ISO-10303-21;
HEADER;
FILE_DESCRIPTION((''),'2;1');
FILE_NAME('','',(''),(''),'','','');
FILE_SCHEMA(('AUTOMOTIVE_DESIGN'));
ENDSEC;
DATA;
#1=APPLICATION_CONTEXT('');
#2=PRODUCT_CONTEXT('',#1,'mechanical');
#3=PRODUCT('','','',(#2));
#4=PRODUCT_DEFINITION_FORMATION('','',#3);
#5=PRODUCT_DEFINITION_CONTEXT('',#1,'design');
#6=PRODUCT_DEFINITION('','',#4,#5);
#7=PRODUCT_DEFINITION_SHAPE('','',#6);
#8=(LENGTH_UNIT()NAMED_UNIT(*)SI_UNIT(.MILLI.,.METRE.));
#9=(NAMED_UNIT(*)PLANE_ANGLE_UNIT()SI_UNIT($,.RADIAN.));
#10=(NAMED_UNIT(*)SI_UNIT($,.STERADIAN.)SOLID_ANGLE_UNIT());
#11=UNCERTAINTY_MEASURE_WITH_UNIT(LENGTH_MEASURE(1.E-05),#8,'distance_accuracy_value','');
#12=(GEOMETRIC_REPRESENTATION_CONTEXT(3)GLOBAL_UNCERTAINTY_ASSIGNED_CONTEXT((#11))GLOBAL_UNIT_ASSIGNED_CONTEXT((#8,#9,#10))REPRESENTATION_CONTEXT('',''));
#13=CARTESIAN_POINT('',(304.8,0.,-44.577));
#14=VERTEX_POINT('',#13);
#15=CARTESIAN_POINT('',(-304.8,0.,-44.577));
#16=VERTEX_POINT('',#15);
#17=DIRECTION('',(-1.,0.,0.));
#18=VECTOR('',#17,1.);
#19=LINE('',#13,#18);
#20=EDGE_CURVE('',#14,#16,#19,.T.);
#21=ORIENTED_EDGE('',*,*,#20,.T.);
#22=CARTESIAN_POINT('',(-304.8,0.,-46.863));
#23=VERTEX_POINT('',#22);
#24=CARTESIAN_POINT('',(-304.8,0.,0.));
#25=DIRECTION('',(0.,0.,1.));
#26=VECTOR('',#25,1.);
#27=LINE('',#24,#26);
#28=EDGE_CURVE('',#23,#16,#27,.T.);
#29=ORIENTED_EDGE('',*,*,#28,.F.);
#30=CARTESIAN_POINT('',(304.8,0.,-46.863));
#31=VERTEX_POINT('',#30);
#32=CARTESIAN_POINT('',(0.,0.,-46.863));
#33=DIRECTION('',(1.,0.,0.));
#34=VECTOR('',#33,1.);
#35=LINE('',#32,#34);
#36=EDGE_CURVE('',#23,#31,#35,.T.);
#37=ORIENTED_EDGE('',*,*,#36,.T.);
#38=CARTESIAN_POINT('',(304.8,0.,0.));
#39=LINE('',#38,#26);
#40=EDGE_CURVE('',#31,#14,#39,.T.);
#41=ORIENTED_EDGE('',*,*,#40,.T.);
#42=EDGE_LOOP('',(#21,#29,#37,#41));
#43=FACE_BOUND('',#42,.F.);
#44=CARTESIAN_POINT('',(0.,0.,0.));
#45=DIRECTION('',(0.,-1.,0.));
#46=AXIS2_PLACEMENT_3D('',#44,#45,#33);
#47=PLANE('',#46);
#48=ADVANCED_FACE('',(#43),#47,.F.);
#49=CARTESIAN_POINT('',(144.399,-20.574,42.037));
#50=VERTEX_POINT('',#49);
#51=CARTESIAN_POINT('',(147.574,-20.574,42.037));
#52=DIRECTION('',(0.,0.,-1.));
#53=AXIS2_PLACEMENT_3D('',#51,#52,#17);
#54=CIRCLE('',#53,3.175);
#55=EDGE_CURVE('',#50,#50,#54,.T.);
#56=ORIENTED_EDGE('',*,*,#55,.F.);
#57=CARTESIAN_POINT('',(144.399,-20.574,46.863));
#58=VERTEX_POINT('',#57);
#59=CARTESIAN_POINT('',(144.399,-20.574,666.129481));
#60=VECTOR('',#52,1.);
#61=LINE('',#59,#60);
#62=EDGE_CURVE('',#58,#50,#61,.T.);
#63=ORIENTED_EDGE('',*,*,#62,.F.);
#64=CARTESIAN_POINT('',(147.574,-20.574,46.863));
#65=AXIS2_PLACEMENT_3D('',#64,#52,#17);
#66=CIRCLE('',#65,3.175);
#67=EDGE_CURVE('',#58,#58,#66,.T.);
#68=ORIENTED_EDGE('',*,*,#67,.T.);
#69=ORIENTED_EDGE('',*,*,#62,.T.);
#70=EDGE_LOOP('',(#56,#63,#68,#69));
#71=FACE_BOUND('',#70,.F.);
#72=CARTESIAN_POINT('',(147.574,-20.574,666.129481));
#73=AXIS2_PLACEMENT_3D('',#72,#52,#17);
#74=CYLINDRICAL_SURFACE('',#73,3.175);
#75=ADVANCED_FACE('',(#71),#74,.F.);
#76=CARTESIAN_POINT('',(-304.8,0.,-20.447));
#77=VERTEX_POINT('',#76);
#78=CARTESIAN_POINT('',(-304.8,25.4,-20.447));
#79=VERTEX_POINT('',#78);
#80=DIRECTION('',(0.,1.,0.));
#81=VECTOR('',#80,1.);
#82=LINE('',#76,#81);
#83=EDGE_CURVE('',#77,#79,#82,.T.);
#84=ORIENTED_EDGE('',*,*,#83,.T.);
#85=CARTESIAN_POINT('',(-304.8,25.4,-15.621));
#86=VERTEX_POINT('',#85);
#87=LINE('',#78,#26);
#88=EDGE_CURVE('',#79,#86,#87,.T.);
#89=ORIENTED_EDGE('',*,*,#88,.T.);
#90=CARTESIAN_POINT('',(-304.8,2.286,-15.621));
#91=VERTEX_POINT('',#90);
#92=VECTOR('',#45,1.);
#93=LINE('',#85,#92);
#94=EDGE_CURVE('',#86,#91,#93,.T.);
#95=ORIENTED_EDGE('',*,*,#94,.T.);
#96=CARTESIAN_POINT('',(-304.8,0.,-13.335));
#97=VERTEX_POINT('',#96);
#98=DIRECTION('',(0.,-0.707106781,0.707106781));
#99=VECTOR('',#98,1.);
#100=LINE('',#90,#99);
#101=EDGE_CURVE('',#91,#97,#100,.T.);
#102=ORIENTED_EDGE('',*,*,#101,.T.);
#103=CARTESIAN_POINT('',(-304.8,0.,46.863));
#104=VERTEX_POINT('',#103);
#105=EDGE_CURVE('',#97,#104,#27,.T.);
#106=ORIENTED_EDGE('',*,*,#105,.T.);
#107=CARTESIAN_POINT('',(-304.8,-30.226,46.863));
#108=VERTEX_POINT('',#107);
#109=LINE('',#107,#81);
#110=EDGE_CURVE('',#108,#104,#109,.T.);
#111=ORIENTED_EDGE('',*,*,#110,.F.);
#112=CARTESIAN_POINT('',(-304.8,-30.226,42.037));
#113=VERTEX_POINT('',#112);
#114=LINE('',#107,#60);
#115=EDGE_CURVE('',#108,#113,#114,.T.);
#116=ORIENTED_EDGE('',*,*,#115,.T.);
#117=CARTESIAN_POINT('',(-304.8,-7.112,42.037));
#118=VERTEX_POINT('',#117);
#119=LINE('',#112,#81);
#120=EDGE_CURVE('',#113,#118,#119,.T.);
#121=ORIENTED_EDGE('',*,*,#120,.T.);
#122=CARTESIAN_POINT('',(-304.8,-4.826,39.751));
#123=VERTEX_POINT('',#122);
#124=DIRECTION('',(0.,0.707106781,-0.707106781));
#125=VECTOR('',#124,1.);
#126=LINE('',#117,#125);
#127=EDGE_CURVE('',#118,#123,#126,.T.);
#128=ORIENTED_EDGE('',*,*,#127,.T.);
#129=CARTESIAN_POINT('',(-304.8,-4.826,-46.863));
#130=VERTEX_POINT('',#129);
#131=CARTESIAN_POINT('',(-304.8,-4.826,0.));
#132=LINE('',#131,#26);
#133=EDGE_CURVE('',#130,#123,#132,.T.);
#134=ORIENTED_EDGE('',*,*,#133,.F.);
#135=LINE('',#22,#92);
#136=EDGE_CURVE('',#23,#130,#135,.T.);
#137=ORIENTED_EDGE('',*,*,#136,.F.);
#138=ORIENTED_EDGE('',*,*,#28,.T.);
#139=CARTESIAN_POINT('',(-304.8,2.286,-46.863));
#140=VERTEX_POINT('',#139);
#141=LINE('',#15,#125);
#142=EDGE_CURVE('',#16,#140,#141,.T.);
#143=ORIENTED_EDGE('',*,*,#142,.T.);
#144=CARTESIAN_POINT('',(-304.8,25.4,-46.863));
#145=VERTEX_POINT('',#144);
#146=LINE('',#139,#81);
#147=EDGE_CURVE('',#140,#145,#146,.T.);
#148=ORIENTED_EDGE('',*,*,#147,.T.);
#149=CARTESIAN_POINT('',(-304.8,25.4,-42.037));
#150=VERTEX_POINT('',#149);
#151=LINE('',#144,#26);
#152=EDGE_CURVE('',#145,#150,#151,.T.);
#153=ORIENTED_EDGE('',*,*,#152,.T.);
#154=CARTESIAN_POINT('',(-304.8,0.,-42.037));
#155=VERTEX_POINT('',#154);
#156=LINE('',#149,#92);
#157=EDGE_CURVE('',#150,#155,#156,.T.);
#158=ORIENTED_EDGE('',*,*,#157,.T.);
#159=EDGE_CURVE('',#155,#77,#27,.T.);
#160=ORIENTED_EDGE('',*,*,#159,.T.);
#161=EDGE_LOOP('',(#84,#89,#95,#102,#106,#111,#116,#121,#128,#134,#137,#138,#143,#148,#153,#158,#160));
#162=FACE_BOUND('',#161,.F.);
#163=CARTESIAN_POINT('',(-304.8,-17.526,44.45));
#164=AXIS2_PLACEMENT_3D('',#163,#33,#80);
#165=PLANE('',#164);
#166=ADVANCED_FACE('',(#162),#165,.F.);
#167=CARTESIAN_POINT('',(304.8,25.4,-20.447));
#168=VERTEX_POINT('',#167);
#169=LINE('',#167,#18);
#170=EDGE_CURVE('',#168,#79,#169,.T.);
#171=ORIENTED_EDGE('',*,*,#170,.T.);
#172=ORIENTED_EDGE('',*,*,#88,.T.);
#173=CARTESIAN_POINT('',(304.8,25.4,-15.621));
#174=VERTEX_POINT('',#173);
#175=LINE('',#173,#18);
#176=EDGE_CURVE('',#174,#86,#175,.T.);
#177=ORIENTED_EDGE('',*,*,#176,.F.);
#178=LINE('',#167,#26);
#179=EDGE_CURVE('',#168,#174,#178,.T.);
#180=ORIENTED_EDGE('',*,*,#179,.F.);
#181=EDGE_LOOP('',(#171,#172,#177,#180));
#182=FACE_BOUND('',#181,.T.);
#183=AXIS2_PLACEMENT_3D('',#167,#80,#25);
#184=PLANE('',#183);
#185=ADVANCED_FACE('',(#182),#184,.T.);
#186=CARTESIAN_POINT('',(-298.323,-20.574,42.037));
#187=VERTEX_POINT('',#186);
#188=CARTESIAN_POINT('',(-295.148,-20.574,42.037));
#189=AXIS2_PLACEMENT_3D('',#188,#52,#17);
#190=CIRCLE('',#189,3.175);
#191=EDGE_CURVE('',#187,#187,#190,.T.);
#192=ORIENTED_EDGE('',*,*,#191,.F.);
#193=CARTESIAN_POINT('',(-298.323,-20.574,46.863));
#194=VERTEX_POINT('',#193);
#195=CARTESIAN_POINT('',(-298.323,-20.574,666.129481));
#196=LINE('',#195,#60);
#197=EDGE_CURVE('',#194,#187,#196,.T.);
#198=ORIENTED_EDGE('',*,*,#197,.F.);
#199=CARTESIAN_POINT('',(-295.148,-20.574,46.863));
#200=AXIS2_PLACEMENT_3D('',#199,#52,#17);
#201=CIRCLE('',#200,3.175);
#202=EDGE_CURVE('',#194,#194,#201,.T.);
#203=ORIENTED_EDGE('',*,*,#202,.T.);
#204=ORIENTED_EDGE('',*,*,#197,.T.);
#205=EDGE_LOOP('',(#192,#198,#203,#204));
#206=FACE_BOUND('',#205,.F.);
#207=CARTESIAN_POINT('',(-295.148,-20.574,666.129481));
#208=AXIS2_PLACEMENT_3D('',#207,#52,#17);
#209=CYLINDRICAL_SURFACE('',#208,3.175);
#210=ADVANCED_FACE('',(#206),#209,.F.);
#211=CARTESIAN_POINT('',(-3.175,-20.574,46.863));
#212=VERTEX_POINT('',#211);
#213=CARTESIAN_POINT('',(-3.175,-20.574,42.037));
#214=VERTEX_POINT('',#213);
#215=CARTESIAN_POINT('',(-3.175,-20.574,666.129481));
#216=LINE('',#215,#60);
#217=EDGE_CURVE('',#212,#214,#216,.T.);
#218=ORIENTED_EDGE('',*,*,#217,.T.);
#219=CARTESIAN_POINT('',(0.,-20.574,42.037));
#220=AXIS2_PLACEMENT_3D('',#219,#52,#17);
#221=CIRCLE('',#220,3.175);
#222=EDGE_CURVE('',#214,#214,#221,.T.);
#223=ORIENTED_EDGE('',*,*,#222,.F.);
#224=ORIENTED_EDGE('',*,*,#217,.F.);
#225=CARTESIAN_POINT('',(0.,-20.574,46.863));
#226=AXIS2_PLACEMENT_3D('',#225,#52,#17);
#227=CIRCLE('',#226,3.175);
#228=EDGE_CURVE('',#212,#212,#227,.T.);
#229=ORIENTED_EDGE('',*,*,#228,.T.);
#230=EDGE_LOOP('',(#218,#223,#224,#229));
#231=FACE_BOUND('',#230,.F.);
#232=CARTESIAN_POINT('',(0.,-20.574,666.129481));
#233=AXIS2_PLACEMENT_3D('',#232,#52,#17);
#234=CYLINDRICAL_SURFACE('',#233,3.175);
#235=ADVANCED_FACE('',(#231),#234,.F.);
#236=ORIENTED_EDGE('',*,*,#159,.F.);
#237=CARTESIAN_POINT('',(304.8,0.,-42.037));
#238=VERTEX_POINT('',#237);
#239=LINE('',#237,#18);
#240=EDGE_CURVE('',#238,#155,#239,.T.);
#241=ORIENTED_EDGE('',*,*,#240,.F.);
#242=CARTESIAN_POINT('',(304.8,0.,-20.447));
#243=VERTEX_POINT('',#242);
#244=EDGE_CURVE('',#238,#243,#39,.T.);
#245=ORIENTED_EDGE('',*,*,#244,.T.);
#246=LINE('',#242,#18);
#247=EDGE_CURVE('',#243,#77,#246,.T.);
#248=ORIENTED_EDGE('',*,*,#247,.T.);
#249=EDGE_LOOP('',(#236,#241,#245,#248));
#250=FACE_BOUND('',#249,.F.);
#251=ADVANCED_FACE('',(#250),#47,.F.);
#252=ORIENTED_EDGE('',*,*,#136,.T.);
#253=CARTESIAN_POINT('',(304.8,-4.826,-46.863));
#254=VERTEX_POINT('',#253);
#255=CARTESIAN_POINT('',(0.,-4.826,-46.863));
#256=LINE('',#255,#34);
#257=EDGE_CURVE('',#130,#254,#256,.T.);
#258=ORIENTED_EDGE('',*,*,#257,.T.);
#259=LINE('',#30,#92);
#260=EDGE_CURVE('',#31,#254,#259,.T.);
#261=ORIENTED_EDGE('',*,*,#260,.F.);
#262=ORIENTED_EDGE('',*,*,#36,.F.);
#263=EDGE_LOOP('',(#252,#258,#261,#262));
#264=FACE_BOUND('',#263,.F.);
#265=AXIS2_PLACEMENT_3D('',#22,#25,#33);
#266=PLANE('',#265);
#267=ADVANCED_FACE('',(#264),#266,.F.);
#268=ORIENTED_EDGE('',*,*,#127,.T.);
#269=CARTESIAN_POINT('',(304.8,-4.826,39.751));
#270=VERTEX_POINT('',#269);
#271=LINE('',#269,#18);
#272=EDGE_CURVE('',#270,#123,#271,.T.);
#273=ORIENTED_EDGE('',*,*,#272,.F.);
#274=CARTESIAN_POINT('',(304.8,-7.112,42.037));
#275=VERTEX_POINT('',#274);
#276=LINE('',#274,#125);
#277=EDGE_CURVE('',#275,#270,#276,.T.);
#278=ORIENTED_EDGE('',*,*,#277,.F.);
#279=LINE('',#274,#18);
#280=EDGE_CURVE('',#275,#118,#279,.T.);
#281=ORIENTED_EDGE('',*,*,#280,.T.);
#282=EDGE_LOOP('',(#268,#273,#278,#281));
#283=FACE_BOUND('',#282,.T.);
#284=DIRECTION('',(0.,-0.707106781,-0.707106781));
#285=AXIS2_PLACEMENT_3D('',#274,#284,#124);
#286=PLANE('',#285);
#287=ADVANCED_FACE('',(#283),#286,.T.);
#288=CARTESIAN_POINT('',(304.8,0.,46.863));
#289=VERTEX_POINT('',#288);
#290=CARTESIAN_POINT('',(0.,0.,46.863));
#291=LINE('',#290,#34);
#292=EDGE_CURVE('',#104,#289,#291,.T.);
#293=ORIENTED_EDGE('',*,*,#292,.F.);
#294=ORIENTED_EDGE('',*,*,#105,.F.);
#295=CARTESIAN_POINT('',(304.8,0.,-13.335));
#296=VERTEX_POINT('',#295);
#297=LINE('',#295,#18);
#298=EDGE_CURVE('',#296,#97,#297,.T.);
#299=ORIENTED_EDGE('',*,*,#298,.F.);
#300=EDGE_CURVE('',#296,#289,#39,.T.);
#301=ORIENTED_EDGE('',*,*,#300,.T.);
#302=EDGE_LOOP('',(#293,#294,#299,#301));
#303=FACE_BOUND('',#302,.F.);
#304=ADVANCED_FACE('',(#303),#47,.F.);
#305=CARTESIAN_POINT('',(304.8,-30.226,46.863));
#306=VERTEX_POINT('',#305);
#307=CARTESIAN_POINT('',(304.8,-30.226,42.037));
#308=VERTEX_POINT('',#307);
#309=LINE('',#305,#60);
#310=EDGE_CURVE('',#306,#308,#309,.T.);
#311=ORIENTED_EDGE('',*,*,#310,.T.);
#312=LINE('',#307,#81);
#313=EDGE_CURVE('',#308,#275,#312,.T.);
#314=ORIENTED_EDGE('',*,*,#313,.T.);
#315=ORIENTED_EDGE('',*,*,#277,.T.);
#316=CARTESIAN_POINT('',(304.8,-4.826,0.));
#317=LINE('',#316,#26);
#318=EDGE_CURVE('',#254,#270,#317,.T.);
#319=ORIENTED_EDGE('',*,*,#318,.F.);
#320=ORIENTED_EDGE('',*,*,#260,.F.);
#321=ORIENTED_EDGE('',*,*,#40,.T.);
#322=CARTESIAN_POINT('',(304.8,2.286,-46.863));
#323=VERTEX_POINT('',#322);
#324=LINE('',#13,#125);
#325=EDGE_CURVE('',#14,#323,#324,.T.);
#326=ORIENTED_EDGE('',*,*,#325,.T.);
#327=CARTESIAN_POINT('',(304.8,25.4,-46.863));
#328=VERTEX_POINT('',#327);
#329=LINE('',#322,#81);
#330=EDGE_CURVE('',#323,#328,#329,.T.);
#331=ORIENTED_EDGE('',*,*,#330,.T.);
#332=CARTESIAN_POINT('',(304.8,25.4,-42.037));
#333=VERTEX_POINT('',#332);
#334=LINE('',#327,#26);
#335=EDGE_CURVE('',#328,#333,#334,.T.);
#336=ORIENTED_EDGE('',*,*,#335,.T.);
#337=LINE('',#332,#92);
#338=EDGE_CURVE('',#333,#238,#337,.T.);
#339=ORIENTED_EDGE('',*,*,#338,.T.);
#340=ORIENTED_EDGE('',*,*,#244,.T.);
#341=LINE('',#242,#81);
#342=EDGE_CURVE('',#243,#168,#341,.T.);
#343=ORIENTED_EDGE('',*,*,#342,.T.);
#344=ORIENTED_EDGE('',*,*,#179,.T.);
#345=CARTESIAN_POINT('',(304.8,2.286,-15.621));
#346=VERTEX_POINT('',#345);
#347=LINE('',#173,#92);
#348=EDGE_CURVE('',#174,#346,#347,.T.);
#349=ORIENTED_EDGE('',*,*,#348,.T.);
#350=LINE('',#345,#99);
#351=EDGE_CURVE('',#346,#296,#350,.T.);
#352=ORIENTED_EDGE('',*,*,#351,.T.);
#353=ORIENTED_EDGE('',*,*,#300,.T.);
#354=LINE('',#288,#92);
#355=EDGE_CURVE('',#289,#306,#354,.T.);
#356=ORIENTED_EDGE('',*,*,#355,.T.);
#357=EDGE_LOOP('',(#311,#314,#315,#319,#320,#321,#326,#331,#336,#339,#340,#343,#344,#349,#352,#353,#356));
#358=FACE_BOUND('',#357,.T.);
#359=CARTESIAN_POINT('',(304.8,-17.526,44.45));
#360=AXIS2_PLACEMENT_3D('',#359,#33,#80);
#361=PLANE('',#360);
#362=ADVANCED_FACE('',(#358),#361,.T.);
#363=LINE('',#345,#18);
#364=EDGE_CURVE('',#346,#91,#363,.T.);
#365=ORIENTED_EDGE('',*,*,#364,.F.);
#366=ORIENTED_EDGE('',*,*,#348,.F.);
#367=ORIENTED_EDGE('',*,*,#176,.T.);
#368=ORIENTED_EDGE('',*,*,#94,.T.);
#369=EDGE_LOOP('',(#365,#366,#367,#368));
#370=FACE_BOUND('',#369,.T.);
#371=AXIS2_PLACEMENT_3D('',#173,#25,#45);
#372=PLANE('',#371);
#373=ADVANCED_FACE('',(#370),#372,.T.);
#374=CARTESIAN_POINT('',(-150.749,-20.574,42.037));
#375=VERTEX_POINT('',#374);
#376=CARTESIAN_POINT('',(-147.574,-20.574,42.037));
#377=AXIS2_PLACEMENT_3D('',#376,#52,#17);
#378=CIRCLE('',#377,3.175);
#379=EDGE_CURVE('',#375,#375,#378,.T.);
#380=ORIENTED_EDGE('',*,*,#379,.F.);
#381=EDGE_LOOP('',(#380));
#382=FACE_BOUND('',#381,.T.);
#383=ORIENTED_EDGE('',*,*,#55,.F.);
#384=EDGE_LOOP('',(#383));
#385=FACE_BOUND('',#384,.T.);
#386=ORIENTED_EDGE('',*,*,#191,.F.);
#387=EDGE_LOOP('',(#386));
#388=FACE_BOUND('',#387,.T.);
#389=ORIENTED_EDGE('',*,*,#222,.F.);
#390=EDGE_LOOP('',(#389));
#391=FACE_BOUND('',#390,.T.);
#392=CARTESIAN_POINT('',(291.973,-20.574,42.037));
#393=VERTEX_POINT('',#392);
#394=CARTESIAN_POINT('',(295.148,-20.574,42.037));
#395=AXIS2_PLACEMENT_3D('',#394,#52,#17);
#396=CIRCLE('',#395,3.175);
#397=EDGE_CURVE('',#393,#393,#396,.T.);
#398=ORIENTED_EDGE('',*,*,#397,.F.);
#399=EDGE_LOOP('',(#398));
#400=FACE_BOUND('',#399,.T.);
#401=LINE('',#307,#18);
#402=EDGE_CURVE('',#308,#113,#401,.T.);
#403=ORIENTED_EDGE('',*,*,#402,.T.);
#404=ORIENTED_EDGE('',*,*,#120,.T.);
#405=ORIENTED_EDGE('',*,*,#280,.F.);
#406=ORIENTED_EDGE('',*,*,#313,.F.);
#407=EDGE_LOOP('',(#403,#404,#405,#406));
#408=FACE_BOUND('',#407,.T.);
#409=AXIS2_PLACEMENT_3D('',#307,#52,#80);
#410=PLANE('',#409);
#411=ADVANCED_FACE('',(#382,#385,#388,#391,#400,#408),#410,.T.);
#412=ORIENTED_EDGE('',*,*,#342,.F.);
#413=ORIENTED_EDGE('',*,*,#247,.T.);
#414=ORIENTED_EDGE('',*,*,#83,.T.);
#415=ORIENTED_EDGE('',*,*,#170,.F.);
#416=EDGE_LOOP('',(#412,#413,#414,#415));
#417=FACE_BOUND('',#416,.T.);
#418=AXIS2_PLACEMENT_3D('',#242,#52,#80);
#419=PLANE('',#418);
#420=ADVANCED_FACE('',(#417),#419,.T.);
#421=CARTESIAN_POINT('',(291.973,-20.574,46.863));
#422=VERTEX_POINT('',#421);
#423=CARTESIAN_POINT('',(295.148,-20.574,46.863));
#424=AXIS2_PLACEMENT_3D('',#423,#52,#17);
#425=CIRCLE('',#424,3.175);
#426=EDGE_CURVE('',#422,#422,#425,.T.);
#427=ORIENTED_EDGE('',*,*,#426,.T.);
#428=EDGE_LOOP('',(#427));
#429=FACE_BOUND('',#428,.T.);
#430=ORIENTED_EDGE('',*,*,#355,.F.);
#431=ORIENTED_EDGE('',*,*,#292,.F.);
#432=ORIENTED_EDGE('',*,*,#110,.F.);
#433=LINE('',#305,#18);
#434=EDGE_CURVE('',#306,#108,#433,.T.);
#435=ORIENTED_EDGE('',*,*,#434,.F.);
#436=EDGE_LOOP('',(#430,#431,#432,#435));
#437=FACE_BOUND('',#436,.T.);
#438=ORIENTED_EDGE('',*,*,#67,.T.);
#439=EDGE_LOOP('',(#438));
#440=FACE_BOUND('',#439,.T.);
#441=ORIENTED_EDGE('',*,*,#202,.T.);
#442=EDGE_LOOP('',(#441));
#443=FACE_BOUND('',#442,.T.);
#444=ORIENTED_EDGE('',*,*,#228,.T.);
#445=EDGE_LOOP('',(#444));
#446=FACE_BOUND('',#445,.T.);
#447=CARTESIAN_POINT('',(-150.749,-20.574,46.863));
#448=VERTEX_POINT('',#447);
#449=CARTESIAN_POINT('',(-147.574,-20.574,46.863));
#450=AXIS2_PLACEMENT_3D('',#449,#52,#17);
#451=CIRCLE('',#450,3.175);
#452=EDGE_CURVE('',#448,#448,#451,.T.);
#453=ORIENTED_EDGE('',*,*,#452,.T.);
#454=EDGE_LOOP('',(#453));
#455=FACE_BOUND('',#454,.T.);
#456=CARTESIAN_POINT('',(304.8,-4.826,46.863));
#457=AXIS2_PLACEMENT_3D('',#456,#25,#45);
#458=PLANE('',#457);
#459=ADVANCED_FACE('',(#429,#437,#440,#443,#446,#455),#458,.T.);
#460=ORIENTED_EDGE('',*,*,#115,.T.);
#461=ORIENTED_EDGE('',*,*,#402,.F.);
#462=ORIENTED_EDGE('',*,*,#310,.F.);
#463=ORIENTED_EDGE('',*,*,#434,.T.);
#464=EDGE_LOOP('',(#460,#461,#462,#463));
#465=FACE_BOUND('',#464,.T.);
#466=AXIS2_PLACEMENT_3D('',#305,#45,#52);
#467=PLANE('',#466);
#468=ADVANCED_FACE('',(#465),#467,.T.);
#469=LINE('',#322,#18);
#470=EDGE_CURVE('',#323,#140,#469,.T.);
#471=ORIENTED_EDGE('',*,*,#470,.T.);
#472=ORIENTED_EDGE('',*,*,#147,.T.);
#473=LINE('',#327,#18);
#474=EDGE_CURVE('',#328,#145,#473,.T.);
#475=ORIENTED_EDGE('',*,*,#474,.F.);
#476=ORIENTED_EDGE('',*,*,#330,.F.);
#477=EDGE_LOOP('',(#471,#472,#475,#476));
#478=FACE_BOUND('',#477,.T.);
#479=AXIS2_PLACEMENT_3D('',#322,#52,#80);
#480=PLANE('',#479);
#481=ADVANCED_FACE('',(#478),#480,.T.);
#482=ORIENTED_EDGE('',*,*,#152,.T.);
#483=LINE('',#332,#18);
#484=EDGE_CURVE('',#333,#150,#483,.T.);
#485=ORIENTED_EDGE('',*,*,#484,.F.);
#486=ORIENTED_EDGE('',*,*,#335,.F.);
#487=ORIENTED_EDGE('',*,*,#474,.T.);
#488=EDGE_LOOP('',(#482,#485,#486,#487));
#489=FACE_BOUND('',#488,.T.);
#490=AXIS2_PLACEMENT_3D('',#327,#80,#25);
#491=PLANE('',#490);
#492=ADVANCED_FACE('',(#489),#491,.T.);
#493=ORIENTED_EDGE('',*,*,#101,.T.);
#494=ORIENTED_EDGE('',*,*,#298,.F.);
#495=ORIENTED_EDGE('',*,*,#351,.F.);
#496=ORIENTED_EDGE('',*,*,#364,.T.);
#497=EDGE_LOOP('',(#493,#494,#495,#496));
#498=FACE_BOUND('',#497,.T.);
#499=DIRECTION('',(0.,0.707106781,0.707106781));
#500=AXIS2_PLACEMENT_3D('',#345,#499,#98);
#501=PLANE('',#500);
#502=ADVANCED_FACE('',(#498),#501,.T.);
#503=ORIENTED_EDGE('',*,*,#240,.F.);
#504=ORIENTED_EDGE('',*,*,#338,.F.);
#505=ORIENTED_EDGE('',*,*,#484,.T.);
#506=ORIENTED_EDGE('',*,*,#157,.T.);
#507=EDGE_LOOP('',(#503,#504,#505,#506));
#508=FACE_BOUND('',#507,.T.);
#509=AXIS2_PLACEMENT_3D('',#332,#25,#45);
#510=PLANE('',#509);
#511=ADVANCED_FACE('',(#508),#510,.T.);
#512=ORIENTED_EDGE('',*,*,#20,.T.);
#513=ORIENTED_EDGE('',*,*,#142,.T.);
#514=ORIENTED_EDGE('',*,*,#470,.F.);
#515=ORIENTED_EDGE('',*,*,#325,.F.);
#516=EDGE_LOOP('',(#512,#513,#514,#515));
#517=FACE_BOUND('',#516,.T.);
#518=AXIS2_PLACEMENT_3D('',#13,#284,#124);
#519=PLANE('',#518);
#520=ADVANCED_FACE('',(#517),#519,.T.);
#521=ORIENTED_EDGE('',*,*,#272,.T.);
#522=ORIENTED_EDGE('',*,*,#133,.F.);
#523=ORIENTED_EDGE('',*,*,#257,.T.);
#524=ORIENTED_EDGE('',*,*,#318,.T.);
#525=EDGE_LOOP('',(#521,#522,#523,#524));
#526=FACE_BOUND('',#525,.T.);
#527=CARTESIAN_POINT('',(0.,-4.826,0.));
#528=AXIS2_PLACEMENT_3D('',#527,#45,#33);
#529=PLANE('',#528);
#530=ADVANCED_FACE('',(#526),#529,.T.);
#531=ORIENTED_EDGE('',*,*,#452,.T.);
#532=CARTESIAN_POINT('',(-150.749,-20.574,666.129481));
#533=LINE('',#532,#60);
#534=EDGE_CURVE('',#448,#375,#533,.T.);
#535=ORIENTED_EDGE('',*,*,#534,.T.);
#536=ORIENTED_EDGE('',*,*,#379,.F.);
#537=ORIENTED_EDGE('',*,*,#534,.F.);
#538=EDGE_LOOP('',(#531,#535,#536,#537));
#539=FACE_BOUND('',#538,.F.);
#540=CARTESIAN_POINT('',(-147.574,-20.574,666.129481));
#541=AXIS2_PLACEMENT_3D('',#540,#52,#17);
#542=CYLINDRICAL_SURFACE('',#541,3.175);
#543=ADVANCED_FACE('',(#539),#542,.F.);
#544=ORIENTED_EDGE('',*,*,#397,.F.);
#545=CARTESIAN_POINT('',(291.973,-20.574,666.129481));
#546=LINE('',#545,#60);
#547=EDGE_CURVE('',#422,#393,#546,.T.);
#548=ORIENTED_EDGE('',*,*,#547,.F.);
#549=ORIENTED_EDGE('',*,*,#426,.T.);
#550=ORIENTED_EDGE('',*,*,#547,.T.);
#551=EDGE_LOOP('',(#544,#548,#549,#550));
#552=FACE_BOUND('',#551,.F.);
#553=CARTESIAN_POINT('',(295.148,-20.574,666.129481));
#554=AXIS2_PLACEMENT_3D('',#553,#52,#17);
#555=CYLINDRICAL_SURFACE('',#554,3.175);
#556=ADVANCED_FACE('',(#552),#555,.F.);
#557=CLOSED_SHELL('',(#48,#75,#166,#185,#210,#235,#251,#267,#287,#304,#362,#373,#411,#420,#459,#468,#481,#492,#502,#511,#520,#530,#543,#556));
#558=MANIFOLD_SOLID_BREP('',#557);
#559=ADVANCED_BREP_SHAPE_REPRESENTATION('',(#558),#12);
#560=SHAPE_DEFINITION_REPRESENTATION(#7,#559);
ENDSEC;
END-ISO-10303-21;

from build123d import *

# Parameters (mm, degrees)
F0_W     = 609.6
F0_H     = 93.726
F1_DEPTH = 4.826
F3_DEPTH = 609.6
F5_D     = 6.35


with BuildPart() as f1:
    # F0 (on Front) → F1 (new body)
    with BuildSketch(Plane.XZ):
        Rectangle(F0_W, F0_H)
    extrude(amount=F1_DEPTH)

    # F2 (on face) → F3 (join, through all)
    with BuildSketch(Plane.YZ.offset(304.8)):
        Polygon((0, -13.335), (0, -15.621), (2.286, -15.621), align=None)
        Polygon((0, -15.621), (0, -20.447), (25.4, -20.447), (25.4, -15.621), (2.286, -15.621), align=None)
        Polygon((-30.226, 42.037), (-7.112, 42.037), (-4.826, 42.037), (-4.826, 46.863), (-30.226, 46.863), align=None)
        Polygon((0, -44.577), (2.286, -46.863), (25.4, -46.863), (25.4, -42.037), (0, -42.037), align=None)
        Polygon((-7.112, 42.037), (-4.826, 39.751), (-4.826, 42.037), align=None)
    extrude(amount=-F3_DEPTH)

    # F5 (through all)
    with Locations(Plane.XY.offset(46.863)):
        with Locations((-295.148, -20.574), (-147.574, -20.574), (0, -20.574), (147.574, -20.574), (295.148, -20.574)):
            Hole(F5_D / 2)


solid = f1.part
